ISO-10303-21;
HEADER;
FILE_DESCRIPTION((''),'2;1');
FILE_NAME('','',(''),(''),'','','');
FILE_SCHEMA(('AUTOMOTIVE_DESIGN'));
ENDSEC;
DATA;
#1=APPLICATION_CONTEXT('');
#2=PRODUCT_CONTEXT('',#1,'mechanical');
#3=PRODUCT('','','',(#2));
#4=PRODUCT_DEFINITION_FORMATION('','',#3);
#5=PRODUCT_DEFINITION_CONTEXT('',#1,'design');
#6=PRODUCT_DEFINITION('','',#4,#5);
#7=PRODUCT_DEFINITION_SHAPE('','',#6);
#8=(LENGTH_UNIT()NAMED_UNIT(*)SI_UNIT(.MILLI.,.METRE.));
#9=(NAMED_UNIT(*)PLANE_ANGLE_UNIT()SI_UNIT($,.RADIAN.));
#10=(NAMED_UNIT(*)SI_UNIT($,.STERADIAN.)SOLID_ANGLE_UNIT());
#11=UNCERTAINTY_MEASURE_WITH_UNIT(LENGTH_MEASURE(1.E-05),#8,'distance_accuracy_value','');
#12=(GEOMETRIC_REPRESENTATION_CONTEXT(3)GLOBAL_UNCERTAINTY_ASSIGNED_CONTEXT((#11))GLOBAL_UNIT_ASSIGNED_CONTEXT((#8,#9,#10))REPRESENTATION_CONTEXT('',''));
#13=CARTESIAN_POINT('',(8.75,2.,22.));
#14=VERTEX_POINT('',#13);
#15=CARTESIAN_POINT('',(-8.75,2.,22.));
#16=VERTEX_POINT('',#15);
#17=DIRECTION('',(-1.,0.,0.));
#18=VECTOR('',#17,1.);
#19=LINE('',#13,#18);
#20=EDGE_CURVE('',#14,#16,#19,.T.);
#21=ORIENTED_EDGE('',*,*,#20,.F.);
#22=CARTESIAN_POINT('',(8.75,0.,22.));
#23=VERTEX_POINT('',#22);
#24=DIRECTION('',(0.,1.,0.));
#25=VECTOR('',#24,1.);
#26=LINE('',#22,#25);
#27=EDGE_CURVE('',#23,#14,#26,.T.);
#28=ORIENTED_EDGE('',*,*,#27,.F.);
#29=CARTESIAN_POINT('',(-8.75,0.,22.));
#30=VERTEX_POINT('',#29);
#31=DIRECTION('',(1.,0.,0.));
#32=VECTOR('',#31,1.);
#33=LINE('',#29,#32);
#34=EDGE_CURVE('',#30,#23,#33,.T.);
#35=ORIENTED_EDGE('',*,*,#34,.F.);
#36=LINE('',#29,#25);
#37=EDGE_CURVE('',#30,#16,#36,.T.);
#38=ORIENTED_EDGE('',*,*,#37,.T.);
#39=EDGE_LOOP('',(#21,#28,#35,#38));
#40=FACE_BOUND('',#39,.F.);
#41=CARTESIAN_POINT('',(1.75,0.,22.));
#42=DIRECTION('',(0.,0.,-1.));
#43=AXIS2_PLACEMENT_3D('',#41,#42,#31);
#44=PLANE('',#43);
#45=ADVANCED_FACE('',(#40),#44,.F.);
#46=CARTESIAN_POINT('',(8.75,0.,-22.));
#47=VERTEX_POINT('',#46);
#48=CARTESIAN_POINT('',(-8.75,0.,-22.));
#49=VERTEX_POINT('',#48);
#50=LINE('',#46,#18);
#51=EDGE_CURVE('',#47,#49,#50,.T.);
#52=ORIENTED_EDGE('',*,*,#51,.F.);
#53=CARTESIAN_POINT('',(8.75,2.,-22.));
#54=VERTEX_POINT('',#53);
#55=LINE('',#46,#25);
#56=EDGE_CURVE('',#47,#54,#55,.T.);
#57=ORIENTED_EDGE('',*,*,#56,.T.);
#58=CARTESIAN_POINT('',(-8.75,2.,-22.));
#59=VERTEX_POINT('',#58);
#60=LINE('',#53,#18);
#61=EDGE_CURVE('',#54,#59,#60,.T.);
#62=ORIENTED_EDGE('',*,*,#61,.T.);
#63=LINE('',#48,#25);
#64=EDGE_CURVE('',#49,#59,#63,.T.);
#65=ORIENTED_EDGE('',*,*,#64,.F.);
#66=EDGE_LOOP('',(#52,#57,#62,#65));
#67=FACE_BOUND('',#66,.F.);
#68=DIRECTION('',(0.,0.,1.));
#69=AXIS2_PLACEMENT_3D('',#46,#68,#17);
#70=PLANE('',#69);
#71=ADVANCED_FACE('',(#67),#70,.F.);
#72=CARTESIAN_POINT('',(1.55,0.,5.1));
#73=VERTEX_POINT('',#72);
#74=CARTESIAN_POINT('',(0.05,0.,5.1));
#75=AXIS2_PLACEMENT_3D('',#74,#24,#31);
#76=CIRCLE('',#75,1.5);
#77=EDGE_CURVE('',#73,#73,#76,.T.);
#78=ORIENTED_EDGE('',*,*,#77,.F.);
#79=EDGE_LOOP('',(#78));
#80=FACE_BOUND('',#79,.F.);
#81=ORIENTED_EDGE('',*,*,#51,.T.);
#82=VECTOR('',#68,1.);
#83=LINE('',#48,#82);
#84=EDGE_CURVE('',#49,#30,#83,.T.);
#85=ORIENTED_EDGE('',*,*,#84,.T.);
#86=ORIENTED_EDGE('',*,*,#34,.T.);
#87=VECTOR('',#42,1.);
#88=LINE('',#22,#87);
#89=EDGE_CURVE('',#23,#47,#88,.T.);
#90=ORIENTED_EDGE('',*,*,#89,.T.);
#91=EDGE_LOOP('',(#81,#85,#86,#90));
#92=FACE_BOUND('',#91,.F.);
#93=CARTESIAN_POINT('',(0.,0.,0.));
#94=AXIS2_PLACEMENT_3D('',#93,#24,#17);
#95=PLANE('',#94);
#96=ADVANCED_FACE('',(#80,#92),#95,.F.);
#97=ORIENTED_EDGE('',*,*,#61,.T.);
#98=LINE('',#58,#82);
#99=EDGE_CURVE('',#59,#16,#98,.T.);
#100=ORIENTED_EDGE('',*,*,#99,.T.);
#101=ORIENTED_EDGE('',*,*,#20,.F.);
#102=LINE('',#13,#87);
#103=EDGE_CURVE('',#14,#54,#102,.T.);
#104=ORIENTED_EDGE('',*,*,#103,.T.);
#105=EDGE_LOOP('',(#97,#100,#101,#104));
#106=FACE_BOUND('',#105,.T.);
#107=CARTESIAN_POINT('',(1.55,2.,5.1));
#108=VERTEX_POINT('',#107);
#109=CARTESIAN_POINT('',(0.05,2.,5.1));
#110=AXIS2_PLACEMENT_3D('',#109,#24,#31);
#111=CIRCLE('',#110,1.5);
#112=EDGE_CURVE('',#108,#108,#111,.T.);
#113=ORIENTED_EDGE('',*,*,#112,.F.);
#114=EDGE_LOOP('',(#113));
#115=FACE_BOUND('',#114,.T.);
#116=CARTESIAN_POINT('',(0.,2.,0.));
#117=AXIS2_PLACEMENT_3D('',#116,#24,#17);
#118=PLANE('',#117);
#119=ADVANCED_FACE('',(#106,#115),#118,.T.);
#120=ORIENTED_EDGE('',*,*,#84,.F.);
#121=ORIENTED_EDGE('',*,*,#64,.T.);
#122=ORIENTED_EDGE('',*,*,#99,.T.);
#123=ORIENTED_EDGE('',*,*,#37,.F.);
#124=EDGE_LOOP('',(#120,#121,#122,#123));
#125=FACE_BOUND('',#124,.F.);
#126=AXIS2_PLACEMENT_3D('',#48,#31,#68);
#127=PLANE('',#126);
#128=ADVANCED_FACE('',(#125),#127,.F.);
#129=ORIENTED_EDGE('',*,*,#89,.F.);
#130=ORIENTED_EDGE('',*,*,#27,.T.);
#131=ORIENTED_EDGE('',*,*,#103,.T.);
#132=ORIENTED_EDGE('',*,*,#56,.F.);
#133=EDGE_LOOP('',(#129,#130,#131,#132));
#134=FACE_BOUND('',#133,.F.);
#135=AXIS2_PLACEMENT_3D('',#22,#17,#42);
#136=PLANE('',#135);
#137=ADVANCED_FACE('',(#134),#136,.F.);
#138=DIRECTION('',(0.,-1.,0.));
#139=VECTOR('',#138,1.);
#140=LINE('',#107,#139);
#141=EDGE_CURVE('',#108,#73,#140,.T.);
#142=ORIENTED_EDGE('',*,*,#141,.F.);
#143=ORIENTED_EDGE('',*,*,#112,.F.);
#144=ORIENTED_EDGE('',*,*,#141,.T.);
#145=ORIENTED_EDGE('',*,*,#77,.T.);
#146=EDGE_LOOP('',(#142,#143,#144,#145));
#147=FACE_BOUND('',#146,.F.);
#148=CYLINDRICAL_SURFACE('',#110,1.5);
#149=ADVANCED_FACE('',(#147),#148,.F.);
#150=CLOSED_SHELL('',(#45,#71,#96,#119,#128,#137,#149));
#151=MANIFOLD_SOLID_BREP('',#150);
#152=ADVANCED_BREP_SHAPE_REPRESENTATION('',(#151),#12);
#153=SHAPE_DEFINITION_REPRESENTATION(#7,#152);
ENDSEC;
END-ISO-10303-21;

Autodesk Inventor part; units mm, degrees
ref_plane "YZ Plane" through (0, 0, 0) normal (1, 0, 0) x (0, 1, 0)
ref_plane "XZ Plane" through (0, 0, 0) normal (0, 1, 0) x (-1, 0, 0)
ref_plane "XY Plane" through (0, 0, 0) normal (0, 0, 1) x (1, 0, 0)
sketch "Sketch1" plane through (0, 0, 0) normal (0, 1, 0) x (-1, 0, 0)
  line L0 (-8.75, 22) -> (-8.75, -22)
  line L1 (-8.75, -22) -> (8.75, -22)
  line L2 (8.75, -22) -> (8.75, 22)
  line L3 (8.75, 22) -> (-8.75, 22)
  line L4 (-8.75, 22) -> (8.75, -22) construction
  line L5 (-8.75, -22) -> (8.75, 22) construction
  line L6 (-8.75, 22) -> (-1.75, 22)
  point P0 (0, 0)
  dimension "d1" = 44
  dimension "d2" = 17.5
extrude "Extrusion1" add sketch "Sketch1" along normal blind 2
sketch "Sketch2" plane through (0, 2, 0) normal (0, 1, 0) x (1, 0, 0)
  line L0 (8.75, 22) -> (-8.75, 22) projected
  line L1 (-8.6195, 22) -> (8.6907, 22) construction
  line L2 (8.6907, 22) -> (8.6907, -23.9682) construction
  line L3 (8.6907, -23.9682) -> (-8.6195, -23.9682) construction
  line L4 (-8.6195, -23.9682) -> (-8.6195, 22) construction
  circle A0 centre (0.05, -5.1) radius 1.5
  line L5 (8.75, -22) -> (8.75, 22) projected
  line L6 (-8.75, -22) -> (8.75, -22) projected
  point P0 (0, 0)
  dimension "d39" = 3
  dimension "d42" = 8.7
  dimension "d43" = 16.9
decal "Decal1"
sketch "Sketch3" plane through (0, 2, 0) normal (0, 1, 0) x (1, 0, 0)
  circle A0 centre (0.05, -5.1) radius 1.5
  line L0 (8.75, -22) -> (8.75, -101.371)
  line L1 (-21.6488, -22) -> (8.75, -22)
  line L2 (8.75, -22) -> (8.75, 22) projected
  line L3 (-8.75, -22) -> (8.75, -22) projected
  point P0 (0, 0)
  point P1 (-12.8988, -61.6855)
  dimension "d44" = 3
  dimension "d45" = 8.7
  dimension "d46" = 16.9
extrude "Extrusion2" cut sketch "Sketch3" against normal through all
properties part number "3DModel"
